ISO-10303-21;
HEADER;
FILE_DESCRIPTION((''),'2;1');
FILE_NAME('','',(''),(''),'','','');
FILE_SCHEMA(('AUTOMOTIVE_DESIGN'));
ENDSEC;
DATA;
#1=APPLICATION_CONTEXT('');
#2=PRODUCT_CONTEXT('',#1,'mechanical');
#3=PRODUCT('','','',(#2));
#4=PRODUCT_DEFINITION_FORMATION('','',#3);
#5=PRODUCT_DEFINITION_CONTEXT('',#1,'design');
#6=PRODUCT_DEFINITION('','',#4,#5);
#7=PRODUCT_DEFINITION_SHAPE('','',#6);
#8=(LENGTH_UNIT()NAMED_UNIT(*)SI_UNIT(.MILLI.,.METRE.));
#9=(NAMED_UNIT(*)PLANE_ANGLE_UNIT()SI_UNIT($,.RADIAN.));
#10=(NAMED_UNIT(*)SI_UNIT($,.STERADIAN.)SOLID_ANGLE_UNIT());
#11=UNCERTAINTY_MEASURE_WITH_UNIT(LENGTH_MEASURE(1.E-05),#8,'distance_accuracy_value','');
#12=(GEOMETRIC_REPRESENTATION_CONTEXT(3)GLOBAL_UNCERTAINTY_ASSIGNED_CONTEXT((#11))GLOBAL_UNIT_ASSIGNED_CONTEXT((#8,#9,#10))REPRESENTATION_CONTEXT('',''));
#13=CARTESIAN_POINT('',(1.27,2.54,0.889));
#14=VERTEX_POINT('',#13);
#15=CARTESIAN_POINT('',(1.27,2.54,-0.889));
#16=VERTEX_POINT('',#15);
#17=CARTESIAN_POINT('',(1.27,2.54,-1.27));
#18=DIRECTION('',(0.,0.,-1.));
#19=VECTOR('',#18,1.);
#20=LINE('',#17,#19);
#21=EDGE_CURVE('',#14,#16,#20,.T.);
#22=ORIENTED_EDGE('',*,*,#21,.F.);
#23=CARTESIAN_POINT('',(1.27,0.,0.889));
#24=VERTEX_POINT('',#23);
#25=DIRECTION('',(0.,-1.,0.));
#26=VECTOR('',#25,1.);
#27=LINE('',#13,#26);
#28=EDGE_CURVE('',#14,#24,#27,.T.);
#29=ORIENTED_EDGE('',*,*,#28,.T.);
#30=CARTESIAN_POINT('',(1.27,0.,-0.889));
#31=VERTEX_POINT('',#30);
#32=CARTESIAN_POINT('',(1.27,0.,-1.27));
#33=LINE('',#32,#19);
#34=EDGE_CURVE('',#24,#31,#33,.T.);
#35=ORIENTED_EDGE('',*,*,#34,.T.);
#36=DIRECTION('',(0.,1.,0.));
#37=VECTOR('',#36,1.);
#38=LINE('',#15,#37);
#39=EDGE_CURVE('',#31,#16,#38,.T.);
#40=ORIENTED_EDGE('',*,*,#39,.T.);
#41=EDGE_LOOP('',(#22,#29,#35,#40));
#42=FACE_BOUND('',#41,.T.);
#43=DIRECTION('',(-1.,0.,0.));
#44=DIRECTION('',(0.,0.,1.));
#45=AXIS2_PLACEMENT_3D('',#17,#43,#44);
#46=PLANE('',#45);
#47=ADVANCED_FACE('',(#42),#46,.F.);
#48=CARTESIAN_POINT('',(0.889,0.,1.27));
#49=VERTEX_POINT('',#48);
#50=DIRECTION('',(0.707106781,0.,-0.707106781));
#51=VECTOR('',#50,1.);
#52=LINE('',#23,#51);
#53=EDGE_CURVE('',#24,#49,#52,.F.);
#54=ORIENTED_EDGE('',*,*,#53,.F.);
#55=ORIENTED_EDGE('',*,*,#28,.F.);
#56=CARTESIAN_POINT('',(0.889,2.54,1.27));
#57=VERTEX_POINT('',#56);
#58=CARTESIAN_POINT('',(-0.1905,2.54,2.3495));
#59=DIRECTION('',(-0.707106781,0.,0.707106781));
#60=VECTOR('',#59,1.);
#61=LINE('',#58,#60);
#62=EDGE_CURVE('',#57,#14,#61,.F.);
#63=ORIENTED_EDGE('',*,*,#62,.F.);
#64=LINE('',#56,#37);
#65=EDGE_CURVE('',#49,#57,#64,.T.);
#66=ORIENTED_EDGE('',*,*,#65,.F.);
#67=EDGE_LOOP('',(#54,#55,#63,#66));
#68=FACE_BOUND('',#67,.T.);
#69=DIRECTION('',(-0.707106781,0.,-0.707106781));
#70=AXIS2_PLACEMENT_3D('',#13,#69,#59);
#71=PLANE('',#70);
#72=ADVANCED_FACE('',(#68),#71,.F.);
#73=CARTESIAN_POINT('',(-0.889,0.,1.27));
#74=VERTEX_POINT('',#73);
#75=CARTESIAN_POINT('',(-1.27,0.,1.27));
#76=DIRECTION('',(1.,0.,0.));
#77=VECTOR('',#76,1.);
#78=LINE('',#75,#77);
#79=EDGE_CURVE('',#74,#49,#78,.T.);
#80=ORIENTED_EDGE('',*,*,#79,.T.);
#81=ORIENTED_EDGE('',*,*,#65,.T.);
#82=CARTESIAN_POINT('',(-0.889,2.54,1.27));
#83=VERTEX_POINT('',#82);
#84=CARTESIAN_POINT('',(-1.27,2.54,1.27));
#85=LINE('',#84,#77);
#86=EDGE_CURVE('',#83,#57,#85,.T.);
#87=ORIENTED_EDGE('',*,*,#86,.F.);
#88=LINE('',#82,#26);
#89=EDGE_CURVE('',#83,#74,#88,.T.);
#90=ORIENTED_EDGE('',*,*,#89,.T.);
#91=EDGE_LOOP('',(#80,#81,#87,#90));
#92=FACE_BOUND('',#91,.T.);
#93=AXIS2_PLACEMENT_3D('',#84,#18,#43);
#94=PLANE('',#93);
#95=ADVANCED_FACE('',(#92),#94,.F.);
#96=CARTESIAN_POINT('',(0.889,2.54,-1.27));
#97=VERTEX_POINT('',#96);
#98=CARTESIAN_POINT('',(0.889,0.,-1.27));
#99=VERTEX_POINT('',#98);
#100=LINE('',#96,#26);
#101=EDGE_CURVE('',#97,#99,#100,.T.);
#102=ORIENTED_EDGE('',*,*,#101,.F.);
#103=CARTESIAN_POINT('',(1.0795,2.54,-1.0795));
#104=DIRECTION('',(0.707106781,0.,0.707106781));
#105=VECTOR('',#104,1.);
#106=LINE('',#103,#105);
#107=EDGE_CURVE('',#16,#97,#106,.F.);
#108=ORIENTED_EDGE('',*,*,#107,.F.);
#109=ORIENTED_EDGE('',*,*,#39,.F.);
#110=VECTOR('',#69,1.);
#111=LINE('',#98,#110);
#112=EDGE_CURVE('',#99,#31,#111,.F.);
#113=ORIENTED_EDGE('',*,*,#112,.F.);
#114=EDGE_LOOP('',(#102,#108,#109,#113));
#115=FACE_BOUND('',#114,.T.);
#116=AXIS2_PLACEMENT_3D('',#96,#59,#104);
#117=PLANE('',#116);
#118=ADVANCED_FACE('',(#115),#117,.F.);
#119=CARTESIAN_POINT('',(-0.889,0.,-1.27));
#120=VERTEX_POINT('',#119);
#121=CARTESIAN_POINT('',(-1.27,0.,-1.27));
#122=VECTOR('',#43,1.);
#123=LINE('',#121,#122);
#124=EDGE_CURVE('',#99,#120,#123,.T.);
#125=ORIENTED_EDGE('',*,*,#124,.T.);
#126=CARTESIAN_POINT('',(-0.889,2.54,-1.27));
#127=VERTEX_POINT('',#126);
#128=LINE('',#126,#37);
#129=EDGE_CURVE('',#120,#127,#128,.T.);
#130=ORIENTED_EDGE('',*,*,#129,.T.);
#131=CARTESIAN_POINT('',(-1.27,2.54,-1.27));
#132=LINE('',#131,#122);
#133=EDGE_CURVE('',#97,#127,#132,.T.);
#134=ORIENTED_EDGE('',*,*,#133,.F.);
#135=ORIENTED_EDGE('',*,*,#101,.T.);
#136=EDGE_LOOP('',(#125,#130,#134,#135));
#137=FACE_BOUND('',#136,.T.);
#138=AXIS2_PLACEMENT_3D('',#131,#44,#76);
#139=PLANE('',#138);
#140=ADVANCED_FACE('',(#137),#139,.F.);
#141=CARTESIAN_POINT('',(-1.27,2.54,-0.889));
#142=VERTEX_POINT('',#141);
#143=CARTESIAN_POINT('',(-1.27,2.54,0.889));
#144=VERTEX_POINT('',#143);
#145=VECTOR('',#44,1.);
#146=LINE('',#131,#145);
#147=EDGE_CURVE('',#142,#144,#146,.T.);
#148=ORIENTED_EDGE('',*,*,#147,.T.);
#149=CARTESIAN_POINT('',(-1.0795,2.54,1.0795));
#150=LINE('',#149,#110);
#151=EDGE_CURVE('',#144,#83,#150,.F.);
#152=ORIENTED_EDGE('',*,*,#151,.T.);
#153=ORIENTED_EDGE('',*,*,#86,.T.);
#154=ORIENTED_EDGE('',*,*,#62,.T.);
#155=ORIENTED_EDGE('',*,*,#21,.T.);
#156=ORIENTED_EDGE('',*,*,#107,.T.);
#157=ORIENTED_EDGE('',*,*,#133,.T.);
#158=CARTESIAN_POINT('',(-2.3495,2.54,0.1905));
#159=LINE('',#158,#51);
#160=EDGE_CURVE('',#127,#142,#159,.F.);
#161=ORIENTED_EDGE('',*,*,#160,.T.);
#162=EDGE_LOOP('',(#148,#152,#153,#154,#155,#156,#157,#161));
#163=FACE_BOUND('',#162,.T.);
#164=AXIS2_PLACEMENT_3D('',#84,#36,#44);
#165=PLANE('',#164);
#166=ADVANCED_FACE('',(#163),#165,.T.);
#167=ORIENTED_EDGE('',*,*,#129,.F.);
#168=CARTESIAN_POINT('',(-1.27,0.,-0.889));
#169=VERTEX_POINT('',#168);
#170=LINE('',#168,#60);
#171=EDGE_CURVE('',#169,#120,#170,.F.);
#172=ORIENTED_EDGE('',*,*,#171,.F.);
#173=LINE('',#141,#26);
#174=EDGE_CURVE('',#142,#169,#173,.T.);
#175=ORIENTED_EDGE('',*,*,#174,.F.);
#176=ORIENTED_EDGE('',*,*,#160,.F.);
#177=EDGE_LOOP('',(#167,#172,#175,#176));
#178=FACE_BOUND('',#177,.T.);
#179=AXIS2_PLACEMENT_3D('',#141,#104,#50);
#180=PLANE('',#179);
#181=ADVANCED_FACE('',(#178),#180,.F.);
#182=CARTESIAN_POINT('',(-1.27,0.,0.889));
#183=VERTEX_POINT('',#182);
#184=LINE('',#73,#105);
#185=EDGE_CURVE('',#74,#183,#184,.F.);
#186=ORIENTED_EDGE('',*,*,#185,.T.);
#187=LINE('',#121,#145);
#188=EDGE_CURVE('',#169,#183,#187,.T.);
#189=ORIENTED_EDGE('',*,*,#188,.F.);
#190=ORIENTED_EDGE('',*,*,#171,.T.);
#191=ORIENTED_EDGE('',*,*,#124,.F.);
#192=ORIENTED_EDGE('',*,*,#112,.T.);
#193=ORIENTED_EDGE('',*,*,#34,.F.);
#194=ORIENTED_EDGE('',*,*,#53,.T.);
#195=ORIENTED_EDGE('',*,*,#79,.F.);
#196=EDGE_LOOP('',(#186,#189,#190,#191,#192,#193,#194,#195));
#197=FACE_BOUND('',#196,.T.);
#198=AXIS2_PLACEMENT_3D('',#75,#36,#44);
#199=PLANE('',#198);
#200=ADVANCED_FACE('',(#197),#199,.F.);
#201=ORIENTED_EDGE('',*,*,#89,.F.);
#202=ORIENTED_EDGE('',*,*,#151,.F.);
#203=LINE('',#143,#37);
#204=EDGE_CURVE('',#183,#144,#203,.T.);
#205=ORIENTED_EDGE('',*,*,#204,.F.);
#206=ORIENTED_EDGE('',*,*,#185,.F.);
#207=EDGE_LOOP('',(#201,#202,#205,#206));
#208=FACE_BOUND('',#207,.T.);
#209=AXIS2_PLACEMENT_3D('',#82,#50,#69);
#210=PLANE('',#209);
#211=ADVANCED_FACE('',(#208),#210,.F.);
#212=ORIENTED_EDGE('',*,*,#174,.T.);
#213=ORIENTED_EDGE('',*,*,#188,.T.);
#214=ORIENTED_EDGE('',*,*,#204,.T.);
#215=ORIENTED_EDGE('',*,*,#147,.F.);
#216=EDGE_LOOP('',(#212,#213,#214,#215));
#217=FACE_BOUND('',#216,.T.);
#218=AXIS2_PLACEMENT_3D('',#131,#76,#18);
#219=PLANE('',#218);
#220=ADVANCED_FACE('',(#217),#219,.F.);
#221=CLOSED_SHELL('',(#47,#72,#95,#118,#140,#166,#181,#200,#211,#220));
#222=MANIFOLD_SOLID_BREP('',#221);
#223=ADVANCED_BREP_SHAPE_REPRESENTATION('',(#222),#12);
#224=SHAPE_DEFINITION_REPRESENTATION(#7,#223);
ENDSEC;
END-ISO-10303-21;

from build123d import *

# Parameters (mm, degrees)
SKETCH1_W           = 2.54
SKETCH1_H           = 2.54
BOSS_EXTRUDE1_DEPTH = 2.54
CHAMFER1_SIZE       = 0.381


with BuildPart() as part:
    # Sketch1 → Boss-Extrude1 (new body)
    with BuildSketch(Plane(origin=(0, 0, 0), x_dir=(1, 0, 0), z_dir=(0, 1, 0))):
        Rectangle(SKETCH1_W, SKETCH1_H)
    extrude(amount=BOSS_EXTRUDE1_DEPTH)

    # Chamfer1
    chamfer1_edges = [part.edges().sort_by_distance(p)[0] for p in [
        (-1.27, 1.27, -1.27),
        (1.27, 1.27, -1.27),
        (1.27, 1.27, 1.27),
        (-1.27, 1.27, 1.27),
    ]]
    chamfer(chamfer1_edges, length=CHAMFER1_SIZE)


solid = part.part
